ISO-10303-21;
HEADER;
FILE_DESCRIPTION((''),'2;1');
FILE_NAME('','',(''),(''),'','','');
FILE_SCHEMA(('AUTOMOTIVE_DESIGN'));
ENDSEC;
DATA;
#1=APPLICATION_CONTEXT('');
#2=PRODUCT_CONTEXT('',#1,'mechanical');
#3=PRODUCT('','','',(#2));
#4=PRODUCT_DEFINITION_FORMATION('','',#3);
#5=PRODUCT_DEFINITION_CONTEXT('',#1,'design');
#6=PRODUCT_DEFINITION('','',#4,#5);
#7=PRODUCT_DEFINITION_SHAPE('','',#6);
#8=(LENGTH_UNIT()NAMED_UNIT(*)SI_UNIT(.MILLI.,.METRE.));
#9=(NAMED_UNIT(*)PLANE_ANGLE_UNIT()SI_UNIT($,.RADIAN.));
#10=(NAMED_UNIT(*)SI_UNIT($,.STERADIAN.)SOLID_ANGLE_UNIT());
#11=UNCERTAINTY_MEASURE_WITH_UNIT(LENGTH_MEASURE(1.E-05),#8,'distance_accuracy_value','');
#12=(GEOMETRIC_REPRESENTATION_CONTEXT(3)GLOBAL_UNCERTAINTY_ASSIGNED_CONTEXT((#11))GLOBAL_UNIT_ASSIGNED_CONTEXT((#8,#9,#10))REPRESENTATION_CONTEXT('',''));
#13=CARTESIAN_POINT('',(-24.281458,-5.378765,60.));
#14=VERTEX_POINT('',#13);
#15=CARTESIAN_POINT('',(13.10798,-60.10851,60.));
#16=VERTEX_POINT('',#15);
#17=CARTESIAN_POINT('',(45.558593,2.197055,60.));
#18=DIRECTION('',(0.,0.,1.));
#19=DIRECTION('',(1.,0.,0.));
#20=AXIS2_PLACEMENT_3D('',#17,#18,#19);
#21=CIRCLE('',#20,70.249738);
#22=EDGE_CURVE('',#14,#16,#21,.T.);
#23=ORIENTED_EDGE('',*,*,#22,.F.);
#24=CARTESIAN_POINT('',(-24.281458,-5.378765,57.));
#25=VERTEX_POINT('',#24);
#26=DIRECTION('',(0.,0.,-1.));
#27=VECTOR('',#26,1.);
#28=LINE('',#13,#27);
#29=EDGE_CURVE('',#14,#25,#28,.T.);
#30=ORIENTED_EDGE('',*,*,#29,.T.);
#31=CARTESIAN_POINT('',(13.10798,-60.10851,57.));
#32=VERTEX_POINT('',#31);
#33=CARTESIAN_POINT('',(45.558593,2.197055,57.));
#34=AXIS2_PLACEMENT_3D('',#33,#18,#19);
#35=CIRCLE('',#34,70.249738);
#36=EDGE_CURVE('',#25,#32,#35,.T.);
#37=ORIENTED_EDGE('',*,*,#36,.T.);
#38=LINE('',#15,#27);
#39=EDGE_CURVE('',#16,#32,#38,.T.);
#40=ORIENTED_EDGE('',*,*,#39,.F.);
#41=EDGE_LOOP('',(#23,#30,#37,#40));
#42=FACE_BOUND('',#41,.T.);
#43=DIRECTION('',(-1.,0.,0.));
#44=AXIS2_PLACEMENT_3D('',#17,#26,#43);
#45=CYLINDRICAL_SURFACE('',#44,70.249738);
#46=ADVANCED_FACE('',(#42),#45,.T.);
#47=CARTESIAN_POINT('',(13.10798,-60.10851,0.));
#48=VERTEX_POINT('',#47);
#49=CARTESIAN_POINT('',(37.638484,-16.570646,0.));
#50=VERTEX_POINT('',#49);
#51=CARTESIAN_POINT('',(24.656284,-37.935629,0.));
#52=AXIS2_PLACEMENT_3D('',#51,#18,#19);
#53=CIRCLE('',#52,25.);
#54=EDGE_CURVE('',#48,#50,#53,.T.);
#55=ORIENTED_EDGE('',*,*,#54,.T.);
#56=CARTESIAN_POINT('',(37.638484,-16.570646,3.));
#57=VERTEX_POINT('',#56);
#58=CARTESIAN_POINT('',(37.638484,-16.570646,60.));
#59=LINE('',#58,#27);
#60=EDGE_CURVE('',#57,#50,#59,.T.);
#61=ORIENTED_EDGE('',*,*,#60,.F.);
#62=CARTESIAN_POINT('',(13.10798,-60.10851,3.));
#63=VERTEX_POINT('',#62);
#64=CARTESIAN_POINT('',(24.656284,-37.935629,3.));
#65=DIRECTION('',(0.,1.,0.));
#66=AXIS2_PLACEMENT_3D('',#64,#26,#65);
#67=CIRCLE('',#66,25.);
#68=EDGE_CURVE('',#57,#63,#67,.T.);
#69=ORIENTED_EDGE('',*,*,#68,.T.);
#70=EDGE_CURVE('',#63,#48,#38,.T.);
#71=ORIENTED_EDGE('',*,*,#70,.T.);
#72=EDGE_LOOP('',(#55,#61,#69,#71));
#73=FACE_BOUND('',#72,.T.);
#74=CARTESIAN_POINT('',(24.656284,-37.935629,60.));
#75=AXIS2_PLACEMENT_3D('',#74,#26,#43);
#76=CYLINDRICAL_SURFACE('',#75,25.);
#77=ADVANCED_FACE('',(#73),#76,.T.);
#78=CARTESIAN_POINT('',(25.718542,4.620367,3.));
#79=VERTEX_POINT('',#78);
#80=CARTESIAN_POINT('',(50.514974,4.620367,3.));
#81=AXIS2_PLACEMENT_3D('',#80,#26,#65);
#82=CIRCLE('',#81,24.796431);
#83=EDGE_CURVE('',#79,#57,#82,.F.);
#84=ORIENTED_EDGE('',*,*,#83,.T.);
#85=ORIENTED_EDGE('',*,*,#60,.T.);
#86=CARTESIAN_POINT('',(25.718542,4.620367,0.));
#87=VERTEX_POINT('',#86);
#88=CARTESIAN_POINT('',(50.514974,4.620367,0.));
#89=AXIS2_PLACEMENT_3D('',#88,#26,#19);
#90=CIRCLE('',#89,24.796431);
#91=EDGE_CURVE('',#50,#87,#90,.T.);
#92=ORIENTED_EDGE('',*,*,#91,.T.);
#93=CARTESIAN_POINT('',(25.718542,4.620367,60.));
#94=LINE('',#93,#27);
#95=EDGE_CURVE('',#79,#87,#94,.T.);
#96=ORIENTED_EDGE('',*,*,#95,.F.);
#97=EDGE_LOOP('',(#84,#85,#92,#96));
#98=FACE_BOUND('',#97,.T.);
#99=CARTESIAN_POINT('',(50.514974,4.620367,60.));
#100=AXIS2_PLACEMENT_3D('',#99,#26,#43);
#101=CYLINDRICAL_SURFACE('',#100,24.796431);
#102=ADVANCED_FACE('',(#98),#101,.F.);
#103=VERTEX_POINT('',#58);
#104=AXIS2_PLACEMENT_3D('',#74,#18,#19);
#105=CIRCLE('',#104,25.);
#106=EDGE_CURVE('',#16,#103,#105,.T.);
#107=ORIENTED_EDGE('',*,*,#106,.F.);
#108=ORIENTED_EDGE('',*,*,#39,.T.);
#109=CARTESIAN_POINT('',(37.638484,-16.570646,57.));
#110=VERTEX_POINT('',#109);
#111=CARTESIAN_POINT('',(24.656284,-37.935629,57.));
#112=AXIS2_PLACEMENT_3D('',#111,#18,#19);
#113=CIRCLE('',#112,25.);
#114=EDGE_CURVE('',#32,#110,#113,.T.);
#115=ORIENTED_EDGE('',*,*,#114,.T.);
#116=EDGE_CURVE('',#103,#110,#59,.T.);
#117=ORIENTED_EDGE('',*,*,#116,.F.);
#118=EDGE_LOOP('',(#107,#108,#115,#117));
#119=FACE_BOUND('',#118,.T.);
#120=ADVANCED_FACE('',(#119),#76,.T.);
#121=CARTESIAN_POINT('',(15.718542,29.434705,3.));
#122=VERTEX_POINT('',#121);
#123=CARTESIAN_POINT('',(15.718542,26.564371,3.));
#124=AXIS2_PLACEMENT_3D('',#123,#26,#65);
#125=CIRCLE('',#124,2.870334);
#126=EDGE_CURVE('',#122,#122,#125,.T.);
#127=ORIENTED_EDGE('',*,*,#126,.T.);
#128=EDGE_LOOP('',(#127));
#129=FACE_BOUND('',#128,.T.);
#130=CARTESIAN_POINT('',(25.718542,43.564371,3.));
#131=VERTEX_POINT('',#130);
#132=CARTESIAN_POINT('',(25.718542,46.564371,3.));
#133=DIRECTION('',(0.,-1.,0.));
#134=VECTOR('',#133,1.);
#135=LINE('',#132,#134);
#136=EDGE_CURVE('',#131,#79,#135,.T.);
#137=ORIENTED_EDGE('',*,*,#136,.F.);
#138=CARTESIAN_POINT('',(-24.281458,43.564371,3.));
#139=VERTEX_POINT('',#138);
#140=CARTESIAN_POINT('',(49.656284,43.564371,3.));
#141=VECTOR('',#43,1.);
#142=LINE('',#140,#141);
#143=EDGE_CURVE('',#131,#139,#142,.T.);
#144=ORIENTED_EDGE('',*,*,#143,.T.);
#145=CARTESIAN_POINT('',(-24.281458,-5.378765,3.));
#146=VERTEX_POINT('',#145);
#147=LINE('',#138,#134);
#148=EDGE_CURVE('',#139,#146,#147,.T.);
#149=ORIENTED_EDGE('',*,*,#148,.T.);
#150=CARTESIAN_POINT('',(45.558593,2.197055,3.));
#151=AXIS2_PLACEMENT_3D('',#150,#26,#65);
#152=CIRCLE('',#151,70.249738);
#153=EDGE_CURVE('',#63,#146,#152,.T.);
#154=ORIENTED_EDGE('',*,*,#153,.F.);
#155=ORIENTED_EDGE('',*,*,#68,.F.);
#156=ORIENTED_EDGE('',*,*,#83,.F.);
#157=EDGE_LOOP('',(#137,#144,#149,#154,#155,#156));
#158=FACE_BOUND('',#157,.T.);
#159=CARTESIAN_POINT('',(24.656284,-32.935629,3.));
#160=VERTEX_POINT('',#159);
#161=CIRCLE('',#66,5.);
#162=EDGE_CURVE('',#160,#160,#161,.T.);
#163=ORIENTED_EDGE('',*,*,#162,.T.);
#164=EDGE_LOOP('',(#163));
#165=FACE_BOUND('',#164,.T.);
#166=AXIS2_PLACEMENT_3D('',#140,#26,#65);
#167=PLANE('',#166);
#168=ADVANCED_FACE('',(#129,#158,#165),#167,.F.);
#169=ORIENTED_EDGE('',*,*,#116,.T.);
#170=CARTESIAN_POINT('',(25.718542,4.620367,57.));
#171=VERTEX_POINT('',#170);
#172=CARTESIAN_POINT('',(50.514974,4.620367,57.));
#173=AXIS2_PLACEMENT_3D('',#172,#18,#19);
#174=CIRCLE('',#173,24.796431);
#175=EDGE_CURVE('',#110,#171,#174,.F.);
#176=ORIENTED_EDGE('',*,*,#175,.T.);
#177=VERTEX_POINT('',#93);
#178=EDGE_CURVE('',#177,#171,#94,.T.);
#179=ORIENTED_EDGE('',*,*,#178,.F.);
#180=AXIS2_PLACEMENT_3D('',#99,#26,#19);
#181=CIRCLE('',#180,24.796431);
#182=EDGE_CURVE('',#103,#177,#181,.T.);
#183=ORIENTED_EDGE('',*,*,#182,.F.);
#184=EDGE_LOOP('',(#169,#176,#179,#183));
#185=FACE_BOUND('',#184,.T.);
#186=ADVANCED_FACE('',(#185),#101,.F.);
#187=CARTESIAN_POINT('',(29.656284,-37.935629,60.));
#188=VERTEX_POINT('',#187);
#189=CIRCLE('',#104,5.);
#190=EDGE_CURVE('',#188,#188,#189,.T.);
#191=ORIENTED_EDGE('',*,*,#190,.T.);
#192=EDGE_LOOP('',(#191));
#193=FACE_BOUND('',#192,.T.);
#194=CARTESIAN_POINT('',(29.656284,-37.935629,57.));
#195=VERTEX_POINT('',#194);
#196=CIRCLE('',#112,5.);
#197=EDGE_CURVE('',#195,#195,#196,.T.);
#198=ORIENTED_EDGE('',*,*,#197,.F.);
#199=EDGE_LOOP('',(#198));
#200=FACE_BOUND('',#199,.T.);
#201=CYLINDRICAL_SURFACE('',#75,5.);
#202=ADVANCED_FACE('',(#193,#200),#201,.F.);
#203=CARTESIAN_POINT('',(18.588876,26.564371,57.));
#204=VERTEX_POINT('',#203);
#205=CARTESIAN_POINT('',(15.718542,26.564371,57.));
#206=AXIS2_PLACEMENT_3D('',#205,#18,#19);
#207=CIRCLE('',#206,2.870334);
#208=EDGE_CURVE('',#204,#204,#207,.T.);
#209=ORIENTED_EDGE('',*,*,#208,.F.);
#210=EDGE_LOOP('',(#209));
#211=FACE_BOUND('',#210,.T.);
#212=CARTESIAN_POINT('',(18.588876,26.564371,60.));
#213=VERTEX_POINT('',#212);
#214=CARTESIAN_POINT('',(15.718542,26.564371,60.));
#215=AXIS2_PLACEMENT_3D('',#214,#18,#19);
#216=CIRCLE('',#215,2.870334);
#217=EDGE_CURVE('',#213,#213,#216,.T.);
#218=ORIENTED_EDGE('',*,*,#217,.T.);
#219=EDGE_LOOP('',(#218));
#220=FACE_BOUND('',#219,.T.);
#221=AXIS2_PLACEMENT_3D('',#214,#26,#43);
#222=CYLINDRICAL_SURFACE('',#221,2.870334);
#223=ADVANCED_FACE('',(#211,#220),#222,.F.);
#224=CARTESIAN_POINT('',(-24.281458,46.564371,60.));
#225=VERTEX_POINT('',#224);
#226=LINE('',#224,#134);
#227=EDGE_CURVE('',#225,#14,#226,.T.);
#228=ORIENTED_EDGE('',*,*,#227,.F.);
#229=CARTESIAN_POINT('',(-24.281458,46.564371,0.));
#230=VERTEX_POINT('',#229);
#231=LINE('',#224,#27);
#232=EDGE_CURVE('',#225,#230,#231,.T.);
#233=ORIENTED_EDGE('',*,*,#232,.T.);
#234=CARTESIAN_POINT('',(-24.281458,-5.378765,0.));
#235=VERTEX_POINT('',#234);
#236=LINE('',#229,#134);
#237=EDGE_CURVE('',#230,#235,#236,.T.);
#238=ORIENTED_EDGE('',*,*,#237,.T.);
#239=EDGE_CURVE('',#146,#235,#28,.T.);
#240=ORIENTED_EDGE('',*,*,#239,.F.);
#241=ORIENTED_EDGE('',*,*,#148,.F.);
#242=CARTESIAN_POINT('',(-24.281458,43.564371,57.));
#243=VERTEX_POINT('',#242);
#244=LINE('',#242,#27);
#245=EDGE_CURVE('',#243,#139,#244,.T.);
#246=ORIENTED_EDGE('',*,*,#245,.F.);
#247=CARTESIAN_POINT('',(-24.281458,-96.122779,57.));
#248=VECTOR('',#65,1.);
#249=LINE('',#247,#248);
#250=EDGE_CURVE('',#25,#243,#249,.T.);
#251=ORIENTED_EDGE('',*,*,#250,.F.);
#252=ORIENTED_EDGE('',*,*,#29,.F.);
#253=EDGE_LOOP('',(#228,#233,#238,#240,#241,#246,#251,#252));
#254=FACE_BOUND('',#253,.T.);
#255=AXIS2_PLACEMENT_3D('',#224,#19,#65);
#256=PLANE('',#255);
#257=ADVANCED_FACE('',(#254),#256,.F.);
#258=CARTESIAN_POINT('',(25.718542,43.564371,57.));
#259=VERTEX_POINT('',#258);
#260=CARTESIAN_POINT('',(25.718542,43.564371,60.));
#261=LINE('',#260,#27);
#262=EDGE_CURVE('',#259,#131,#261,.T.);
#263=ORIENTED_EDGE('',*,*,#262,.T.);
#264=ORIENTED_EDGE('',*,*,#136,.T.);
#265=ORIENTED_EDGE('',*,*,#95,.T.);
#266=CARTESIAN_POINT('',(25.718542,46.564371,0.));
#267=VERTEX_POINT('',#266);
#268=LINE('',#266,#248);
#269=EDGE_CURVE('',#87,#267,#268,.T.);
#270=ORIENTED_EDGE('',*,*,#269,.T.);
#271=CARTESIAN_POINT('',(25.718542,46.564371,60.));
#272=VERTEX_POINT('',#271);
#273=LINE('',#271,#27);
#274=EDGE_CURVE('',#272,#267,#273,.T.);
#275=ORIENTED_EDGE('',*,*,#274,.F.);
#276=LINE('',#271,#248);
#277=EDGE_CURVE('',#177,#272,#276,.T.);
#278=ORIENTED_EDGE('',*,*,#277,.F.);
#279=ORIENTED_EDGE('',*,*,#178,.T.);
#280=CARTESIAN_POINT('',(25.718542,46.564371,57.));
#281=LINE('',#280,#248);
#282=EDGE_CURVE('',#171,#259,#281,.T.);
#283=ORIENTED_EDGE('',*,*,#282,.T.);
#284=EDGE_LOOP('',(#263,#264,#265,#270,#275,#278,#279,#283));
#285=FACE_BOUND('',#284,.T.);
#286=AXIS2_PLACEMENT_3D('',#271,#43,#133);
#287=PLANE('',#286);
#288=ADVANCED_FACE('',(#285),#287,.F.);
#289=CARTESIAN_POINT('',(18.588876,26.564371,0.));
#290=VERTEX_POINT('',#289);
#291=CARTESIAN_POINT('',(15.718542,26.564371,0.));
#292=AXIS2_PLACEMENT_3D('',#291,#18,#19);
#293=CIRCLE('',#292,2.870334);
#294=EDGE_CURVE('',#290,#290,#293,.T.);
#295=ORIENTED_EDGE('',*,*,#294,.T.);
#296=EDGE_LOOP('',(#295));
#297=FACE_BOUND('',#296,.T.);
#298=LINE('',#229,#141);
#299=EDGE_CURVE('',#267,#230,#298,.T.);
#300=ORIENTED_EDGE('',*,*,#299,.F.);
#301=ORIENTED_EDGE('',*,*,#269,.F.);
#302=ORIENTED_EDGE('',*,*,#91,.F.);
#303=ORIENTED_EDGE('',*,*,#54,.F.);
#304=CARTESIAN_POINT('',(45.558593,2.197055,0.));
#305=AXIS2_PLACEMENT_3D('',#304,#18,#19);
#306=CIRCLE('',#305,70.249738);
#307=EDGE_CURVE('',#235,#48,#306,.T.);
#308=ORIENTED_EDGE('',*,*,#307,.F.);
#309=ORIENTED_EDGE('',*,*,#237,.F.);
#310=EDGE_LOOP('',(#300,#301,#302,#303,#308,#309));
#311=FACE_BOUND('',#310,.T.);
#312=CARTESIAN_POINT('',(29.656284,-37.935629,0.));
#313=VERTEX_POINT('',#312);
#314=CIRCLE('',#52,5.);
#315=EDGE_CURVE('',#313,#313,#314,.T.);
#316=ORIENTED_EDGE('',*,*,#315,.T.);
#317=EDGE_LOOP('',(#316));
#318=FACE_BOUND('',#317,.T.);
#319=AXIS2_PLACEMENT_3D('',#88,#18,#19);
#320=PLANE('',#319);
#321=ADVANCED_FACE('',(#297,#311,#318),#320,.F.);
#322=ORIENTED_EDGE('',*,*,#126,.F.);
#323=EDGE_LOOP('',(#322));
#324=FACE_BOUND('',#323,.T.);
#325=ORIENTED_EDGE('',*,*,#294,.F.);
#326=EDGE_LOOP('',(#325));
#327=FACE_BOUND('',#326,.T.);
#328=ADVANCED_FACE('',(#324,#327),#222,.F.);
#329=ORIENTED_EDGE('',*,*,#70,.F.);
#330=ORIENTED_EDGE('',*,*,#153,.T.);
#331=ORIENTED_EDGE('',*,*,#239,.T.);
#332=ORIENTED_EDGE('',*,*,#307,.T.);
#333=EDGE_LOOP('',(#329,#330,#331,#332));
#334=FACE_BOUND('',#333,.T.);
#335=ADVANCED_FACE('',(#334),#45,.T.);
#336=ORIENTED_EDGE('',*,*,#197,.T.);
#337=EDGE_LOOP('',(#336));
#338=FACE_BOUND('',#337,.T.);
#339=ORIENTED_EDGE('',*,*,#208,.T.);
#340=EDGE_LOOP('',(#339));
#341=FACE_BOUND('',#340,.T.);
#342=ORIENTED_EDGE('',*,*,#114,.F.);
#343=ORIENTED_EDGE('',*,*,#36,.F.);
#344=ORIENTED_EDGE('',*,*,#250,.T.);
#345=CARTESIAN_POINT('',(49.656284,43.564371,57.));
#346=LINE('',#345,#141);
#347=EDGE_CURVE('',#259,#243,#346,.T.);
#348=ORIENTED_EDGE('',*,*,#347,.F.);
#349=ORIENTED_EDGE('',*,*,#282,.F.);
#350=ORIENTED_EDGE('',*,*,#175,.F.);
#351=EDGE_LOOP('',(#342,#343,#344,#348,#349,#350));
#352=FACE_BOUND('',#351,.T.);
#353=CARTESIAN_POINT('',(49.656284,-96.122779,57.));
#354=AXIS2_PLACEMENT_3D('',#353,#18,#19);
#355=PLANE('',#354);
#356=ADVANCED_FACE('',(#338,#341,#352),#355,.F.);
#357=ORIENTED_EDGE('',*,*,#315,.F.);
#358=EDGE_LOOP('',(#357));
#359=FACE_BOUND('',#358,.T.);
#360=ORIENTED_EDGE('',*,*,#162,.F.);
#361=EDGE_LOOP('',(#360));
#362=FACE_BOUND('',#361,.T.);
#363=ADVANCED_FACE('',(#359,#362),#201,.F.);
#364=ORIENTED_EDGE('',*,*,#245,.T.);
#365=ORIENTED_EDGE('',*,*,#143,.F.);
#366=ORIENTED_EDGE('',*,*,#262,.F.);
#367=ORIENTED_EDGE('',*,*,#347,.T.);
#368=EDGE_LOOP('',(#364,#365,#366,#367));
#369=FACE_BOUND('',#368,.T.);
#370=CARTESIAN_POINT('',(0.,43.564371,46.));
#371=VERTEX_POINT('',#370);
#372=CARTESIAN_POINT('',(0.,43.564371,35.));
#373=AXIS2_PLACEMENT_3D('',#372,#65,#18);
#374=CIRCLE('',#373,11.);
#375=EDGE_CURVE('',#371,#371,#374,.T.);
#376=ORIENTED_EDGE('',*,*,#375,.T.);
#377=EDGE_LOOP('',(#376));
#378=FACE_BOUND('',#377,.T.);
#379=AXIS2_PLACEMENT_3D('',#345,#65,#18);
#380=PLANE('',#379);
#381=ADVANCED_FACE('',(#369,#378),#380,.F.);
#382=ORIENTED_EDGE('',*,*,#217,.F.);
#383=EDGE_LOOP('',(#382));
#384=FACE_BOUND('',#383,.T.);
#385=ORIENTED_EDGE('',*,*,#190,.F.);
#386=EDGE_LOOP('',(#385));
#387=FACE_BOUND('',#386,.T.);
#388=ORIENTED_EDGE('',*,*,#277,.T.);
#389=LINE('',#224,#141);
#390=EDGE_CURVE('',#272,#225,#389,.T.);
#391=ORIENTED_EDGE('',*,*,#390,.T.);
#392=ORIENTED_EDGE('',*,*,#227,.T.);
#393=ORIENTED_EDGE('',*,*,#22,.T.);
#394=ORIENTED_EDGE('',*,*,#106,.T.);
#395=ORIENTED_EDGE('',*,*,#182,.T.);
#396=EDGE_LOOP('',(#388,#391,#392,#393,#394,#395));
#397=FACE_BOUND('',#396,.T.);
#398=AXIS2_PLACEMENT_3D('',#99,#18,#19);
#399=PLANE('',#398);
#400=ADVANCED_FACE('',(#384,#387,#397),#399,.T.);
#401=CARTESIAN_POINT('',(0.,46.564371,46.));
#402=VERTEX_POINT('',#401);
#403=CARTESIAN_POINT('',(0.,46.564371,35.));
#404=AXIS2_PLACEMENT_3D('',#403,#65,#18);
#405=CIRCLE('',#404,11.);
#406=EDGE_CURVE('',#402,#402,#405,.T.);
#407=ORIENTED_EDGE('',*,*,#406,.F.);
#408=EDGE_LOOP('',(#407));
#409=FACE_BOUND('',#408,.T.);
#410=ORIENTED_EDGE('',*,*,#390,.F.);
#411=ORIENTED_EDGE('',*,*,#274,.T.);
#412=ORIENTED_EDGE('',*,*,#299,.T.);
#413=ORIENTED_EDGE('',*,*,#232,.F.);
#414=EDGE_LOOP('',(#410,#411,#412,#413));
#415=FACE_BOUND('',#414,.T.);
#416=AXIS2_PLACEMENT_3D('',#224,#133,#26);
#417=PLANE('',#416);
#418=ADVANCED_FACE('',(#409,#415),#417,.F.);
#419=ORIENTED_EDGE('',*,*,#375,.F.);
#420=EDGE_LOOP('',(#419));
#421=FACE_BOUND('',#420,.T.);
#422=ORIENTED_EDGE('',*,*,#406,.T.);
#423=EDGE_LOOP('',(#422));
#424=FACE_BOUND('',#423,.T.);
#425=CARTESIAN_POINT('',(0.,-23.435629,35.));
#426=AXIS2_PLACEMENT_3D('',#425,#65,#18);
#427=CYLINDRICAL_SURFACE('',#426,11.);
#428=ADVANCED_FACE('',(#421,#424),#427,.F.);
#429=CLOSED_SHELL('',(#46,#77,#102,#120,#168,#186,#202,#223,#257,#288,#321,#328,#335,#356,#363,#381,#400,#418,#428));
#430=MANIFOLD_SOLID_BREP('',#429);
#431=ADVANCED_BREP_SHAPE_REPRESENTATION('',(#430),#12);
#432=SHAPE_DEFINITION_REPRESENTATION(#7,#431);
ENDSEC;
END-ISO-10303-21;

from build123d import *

# Parameters (mm, degrees)
SKETCH_1_R          = 5
SKETCH_1_R_2        = 2.870333843
EXTRUDE_1_DEPTH     = 60
SKETCH_2_W          = 54
SKETCH_2_H          = 139.687150663
CUT_EXTRUDE_1_DEPTH = 74.937741711
SKETCH_3_R          = 11
CUT_EXTRUDE_2_DEPTH = 70


with BuildPart() as part:
    # 草图1 → 凸台-拉伸1 (new body)
    with BuildSketch(Plane.XY):
        with BuildLine():
            Line((-24.281457554, 46.564371273), (-24.281457554, -5.37876517))
            ThreePointArc((-24.281457554, -5.37876517), (-12.44727906, -37.430517799), (13.107980321, -60.108510328))
            ThreePointArc((13.107980321, -60.108510328), (46.43701917, -50.207530875), (37.638484361, -16.570646211))
            ThreePointArc((37.638484361, -16.570646211), (28.903009587, -7.536360283), (25.718542446, 4.620366695))
            Line((25.718542446, 4.620366695), (25.718542446, 46.564371273))
            Line((25.718542446, 46.564371273), (-24.281457554, 46.564371273))
        make_face()
        with Locations((24.656284158, -37.935628727)):
            Circle(SKETCH_1_R, mode=Mode.SUBTRACT)
        with Locations((15.718542446, 26.564371273)):
            Circle(SKETCH_1_R_2, mode=Mode.SUBTRACT)
    extrude(amount=EXTRUDE_1_DEPTH)

    # 草图2 → 切除-拉伸1 (cut, through all)
    with BuildSketch(Plane.ZY.offset(24.281457554)):
        with Locations((30, -26.279204058)):
            Rectangle(SKETCH_2_W, SKETCH_2_H)
    extrude(amount=-CUT_EXTRUDE_1_DEPTH, mode=Mode.SUBTRACT)

    # 草图3 → 切除-拉伸2 (cut)
    with BuildSketch(Plane(origin=(0, 46.564371273, 0), x_dir=(1, 0, 0), z_dir=(0, 1, 0))):
        with Locations((0, -35)):
            Circle(SKETCH_3_R)
    extrude(amount=-CUT_EXTRUDE_2_DEPTH, mode=Mode.SUBTRACT)


solid = part.part
